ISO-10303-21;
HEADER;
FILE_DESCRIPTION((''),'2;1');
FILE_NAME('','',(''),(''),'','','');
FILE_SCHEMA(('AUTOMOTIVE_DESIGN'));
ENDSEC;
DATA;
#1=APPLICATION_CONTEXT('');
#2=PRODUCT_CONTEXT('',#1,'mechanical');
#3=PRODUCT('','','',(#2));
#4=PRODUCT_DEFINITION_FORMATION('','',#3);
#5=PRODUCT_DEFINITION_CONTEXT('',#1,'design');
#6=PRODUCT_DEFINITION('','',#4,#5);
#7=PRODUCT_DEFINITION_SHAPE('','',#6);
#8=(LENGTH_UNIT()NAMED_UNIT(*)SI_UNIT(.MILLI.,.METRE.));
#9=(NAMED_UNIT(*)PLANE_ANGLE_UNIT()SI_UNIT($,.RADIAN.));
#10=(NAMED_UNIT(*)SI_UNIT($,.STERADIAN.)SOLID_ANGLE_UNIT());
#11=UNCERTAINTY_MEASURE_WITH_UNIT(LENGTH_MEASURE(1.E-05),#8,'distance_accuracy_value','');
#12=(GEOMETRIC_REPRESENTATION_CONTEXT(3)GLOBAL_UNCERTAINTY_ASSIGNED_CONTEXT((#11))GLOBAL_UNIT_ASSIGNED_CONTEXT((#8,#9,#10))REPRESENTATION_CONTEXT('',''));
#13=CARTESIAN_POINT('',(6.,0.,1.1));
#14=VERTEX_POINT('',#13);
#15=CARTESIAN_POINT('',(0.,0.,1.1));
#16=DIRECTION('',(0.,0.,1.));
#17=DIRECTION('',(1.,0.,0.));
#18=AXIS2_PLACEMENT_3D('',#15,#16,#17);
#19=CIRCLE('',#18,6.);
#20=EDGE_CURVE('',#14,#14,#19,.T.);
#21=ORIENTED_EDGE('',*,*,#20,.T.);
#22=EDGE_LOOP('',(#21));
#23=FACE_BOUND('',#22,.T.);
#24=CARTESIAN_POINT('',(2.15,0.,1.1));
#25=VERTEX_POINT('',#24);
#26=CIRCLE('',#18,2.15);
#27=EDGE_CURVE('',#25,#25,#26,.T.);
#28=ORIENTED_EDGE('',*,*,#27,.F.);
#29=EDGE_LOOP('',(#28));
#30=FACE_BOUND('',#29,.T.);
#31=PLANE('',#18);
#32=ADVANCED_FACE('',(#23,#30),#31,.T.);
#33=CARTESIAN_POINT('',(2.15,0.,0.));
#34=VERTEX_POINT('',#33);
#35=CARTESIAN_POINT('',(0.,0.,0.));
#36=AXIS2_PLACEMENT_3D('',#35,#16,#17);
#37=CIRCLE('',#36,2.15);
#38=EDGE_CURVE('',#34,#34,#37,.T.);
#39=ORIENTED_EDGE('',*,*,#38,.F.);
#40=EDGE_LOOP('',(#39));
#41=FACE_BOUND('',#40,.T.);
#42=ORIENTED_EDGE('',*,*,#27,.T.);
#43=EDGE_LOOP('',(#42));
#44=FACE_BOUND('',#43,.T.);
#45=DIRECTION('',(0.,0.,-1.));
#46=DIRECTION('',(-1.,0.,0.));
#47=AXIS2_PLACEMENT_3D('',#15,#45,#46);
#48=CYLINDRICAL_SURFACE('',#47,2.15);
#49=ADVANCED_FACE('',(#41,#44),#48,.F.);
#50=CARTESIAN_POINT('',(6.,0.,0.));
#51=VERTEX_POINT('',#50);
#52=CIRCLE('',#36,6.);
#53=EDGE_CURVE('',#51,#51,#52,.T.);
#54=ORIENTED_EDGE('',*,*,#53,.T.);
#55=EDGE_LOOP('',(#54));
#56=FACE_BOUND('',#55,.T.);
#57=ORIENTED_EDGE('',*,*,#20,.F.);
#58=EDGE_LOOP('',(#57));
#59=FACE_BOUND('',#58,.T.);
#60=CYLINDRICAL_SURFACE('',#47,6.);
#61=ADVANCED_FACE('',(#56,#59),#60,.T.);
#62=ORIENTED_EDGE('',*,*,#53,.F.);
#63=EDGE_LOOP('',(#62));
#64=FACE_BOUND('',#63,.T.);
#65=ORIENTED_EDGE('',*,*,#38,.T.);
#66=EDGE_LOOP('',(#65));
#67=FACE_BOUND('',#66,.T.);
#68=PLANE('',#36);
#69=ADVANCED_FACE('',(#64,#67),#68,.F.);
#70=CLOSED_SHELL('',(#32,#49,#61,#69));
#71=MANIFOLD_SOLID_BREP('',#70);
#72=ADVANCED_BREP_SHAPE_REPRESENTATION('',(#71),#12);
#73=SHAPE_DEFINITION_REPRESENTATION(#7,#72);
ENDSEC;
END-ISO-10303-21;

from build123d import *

# Parameters (mm, degrees)
SKETCH1_R           = 6
SKETCH1_R_2         = 2.15
BOSS_EXTRUDE1_DEPTH = 1.1


with BuildPart() as part:
    # Sketch1 → Boss-Extrude1 (new body)
    with BuildSketch(Plane.XY):
        Circle(SKETCH1_R)
        Circle(SKETCH1_R_2, mode=Mode.SUBTRACT)
    extrude(amount=BOSS_EXTRUDE1_DEPTH)


solid = part.part
